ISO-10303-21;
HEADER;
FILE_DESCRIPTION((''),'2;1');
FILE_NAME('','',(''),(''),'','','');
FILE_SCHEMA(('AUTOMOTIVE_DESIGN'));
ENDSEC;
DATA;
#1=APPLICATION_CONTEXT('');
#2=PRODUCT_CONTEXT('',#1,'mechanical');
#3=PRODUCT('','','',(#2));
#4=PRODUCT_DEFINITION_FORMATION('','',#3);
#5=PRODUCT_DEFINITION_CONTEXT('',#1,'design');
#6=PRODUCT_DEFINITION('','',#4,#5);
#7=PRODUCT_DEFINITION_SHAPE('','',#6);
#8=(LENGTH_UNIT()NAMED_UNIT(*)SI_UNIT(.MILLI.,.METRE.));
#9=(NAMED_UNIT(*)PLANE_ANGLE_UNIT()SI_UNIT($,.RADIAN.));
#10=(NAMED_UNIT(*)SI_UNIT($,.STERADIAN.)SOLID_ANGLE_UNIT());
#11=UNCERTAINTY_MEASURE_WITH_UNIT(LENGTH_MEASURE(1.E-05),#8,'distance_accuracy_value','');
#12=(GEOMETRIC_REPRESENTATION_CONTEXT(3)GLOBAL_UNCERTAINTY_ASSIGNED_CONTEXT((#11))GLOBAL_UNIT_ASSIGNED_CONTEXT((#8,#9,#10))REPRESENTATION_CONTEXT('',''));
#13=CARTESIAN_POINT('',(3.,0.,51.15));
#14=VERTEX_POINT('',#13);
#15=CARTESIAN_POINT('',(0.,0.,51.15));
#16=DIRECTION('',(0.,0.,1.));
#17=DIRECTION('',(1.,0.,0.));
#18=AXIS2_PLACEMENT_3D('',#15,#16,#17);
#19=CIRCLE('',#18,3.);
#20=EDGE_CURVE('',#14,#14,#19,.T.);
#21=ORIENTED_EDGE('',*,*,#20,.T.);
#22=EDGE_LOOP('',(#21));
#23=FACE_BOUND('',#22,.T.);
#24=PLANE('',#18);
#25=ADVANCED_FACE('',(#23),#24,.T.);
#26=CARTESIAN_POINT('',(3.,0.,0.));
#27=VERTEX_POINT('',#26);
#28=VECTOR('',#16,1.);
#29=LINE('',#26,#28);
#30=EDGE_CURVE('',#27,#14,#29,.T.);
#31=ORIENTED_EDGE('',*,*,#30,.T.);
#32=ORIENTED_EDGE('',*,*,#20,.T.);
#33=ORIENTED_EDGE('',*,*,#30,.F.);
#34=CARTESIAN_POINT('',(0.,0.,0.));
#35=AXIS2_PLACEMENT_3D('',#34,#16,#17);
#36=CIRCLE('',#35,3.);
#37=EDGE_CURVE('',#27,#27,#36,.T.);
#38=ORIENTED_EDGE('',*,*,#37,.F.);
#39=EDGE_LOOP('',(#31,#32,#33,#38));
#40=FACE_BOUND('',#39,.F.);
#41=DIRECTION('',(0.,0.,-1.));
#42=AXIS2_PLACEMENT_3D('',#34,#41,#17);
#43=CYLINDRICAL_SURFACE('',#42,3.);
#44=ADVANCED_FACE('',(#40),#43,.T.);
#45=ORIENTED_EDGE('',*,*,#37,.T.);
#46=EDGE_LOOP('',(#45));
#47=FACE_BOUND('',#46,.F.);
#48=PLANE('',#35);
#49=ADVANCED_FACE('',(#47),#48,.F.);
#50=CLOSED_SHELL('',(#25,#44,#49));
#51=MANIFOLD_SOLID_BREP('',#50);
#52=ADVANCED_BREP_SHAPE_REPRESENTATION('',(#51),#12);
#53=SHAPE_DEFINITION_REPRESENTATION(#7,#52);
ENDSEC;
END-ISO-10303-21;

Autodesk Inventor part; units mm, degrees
ref_plane "YZ Plane" through (0, 0, 0) normal (1, 0, 0) x (0, 1, 0)
ref_plane "XZ Plane" through (0, 0, 0) normal (0, 1, 0) x (-1, 0, 0)
sketch "Эскиз1" plane through (0, 0, 0) normal (0, 0, 1) x (1, 0, 0)
  circle A0 centre (0, 0) radius 3
  circle A1 centre (0, 0) radius 5
ref_plane "РабПлоскость1" through (-4.125, -3.9693, 51.15) normal (0, 0, 1) x (0.866, 0.5, 0)
extrude "Выдавливание1" add sketch "Эскиз1" along normal up to surface (51.15 mm away) contours A0
